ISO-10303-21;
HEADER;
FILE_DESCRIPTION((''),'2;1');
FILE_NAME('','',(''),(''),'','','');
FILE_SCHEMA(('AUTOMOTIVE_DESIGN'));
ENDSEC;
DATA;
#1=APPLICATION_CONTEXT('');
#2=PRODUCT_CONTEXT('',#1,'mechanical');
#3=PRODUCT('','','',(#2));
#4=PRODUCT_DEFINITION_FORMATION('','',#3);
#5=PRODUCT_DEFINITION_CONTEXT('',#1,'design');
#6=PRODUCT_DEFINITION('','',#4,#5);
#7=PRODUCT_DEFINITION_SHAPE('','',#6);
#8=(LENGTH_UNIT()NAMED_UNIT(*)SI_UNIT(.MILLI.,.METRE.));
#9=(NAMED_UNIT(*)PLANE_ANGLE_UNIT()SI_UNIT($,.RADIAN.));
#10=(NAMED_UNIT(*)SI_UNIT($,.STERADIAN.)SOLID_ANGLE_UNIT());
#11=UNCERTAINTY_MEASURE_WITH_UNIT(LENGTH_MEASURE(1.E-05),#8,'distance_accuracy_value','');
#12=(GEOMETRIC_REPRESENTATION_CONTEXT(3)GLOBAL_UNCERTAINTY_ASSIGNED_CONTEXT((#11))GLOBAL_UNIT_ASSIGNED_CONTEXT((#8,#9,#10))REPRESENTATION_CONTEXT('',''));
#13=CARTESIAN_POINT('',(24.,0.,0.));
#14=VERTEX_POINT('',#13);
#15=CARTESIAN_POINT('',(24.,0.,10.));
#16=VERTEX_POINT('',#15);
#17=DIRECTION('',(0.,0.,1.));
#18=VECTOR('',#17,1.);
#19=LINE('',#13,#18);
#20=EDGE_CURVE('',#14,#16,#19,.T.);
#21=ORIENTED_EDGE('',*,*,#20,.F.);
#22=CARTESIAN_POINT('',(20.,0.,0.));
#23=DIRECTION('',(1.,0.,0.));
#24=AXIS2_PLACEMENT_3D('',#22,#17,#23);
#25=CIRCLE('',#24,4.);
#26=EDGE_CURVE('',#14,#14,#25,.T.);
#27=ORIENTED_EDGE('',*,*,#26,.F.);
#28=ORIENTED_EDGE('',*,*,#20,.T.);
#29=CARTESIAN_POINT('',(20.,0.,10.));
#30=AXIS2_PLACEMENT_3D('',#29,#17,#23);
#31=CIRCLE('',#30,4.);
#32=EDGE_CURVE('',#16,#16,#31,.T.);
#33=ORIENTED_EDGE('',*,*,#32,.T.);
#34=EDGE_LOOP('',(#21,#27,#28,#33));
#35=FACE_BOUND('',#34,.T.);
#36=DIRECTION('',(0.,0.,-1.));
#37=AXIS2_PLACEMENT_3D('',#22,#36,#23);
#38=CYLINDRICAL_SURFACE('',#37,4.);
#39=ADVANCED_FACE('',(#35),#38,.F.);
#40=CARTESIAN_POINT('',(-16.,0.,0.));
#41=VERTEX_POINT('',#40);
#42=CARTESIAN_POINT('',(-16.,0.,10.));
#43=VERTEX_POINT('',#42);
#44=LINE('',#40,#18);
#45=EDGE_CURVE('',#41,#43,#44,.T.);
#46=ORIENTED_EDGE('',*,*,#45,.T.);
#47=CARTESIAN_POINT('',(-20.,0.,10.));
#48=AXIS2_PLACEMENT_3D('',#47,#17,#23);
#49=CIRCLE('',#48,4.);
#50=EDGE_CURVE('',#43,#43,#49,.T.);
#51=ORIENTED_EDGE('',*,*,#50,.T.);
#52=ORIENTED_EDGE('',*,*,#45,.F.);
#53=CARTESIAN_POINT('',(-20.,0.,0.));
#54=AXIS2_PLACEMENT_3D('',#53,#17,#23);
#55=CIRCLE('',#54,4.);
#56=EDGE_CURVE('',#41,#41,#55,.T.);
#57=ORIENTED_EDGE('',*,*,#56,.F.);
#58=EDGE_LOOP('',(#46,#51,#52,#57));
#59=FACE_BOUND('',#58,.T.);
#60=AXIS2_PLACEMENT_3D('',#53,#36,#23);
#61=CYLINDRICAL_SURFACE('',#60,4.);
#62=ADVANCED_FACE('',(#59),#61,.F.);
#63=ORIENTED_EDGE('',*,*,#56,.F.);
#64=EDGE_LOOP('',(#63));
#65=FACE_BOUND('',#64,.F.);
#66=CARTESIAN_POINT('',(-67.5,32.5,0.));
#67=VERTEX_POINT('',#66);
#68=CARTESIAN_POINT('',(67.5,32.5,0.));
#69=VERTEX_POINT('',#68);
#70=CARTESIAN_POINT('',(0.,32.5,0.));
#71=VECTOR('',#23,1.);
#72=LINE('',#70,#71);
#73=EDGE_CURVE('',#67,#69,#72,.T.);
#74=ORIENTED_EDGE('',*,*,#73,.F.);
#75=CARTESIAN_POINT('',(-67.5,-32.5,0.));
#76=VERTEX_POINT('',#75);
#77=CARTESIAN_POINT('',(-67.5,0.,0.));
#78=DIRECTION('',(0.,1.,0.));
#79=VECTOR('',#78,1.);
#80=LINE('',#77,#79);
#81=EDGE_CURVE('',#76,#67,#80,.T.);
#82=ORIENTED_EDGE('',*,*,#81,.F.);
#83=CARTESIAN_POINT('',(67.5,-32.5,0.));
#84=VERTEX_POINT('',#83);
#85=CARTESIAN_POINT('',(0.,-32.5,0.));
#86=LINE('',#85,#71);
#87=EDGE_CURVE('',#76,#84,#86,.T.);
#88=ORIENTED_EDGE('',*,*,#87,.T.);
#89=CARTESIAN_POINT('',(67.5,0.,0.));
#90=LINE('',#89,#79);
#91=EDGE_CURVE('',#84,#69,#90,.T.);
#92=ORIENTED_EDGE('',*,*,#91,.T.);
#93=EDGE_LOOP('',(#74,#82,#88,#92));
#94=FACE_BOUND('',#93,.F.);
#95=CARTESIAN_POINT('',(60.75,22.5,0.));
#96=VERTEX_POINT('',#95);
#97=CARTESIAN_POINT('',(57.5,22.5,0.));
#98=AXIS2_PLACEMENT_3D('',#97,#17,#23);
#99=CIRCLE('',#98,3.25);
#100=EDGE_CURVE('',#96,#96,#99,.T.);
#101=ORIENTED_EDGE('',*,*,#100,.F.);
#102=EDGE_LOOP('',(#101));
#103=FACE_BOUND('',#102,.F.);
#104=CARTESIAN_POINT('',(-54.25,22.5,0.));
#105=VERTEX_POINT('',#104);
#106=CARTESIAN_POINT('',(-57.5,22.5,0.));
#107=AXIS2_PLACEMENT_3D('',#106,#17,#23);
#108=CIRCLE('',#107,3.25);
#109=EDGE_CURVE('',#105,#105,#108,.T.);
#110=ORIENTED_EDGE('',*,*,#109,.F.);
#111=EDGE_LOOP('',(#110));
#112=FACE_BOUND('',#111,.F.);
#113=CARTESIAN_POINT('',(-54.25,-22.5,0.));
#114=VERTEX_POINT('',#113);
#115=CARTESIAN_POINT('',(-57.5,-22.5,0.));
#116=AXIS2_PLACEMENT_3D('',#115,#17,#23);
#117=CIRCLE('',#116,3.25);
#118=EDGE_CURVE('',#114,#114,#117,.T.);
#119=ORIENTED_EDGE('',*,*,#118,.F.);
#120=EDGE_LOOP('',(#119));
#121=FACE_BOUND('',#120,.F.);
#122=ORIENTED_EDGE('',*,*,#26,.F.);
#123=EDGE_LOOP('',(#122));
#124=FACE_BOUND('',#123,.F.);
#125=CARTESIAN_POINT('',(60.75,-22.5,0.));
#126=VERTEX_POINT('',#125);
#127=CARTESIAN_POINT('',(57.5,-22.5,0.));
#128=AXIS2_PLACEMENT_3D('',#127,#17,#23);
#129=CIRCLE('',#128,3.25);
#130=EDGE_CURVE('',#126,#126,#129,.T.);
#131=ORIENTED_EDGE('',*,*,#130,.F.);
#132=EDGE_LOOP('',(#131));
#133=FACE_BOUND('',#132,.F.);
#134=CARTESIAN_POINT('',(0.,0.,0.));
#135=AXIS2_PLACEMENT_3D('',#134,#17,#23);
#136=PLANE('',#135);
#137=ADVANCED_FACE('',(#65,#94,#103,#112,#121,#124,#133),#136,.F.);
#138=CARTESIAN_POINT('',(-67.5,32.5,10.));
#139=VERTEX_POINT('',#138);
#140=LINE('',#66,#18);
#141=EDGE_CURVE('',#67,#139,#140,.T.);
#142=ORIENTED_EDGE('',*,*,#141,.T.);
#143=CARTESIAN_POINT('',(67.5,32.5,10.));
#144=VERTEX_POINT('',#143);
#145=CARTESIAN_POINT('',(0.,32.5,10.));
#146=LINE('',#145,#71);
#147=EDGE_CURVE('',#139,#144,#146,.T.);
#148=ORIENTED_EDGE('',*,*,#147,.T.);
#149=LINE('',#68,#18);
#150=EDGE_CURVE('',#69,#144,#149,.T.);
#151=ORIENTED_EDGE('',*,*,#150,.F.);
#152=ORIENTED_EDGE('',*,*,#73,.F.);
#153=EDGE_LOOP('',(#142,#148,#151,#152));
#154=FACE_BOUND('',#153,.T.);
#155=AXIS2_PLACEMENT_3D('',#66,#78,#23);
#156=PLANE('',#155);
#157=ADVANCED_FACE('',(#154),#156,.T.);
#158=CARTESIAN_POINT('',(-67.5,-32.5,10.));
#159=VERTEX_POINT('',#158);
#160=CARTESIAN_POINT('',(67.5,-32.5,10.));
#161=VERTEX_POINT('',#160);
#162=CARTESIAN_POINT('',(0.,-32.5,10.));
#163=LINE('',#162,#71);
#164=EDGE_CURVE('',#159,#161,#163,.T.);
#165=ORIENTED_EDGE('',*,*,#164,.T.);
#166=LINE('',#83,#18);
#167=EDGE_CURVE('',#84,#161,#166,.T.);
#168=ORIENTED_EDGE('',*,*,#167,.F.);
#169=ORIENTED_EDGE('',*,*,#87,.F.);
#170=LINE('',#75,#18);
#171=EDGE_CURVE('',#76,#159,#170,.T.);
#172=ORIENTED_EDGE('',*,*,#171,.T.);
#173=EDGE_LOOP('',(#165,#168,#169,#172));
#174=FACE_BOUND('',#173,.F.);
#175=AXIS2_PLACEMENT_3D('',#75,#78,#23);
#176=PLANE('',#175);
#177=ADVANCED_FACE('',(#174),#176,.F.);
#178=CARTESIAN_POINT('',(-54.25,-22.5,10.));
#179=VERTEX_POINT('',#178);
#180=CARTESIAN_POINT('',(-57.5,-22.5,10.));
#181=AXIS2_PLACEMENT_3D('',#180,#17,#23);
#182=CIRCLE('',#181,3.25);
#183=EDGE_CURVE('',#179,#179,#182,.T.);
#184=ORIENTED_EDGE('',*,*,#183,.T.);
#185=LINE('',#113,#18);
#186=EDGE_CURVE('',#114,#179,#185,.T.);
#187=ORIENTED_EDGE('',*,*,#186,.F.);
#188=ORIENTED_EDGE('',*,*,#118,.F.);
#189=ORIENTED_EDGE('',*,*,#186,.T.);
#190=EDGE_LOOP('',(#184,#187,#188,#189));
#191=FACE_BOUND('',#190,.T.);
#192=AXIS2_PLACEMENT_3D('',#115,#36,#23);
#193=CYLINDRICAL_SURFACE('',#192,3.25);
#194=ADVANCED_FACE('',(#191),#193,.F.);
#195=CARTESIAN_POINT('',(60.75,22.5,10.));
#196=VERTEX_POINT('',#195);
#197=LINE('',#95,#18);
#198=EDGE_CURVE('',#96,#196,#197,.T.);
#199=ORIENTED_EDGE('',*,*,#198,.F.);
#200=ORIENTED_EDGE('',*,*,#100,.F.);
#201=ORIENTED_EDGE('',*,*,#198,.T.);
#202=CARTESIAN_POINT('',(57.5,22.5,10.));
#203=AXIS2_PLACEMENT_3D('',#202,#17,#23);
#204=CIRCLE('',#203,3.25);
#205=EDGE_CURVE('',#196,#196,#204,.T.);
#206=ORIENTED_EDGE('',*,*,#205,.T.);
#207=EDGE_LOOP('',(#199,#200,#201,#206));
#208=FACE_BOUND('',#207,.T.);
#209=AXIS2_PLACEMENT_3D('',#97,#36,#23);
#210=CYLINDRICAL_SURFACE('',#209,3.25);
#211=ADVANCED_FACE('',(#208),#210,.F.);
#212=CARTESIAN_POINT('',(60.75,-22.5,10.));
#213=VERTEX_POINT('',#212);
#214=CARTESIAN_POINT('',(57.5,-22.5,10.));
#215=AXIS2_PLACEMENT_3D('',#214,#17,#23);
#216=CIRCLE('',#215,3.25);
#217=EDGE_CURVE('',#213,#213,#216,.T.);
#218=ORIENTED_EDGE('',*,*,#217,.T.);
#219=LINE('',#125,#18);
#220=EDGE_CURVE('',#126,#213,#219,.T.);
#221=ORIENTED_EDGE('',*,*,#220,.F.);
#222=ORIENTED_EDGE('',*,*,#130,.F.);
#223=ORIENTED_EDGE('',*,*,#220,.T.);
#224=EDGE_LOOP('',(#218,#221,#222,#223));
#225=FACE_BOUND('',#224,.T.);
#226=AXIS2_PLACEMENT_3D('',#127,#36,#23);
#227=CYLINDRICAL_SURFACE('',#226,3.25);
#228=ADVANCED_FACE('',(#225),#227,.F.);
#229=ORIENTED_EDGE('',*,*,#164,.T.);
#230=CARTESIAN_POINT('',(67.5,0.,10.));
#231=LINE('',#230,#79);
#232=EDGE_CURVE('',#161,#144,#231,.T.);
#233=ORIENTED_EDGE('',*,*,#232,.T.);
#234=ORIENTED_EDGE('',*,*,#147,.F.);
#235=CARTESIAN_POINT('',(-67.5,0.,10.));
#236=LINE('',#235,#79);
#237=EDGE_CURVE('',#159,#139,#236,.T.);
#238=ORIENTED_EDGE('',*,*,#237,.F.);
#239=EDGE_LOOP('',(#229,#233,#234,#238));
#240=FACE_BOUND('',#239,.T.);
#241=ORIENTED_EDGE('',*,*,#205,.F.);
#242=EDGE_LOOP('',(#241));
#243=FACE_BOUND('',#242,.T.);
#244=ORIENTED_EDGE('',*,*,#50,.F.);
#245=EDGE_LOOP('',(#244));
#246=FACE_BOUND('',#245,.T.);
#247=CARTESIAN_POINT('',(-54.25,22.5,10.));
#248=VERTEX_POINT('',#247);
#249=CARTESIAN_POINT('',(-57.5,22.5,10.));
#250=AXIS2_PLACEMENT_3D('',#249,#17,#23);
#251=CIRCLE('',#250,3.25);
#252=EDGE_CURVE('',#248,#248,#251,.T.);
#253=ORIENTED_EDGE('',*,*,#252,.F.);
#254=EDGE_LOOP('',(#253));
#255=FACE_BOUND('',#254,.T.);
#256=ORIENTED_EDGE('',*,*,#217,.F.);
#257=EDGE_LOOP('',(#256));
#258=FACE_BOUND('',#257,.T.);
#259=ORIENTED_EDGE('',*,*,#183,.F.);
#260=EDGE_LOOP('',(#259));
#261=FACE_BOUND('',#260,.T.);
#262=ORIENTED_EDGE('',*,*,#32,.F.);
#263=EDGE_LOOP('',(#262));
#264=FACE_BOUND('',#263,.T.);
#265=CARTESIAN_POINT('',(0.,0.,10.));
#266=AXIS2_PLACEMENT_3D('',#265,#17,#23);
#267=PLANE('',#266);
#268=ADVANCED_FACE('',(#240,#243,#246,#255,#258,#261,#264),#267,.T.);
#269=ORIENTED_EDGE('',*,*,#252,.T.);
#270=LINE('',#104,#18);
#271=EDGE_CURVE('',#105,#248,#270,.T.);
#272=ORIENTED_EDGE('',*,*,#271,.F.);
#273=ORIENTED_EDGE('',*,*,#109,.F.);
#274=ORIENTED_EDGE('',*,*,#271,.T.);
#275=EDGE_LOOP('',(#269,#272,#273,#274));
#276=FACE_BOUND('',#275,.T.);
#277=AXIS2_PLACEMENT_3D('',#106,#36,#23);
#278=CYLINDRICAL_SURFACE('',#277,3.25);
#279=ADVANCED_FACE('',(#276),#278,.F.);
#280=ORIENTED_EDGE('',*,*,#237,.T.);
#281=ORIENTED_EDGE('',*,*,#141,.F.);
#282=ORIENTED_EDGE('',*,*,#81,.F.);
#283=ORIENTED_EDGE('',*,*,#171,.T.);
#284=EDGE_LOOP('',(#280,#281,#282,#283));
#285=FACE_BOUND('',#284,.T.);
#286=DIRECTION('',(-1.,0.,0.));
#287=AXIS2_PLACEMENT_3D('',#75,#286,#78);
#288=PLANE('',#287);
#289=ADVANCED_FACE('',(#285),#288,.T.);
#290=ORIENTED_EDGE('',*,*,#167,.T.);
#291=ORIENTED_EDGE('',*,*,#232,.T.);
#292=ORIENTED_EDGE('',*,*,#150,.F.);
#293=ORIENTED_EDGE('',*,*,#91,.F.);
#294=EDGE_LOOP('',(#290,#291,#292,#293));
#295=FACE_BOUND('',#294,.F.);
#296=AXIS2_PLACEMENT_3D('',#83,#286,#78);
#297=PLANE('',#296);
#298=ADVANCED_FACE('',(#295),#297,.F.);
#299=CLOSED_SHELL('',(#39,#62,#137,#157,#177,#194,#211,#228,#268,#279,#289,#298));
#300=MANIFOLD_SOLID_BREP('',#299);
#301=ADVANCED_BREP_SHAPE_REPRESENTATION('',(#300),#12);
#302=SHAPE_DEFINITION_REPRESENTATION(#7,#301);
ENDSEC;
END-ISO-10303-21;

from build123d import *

# Parameters (mm, degrees)
F0_W     = 135
F0_H     = 65
F0_R     = 3.25
F0_R_2   = 4
F1_DEPTH = 10


with BuildPart() as f1:
    # F0 (on Top) → F1 (new body)
    with BuildSketch(Plane.XY):
        Rectangle(F0_W, F0_H)
        with Locations((-57.5, -22.5)):
            Circle(F0_R, mode=Mode.SUBTRACT)
        with Locations((57.5, -22.5)):
            Circle(F0_R, mode=Mode.SUBTRACT)
        with Locations((-20, 0)):
            Circle(F0_R_2, mode=Mode.SUBTRACT)
        with Locations((-57.5, 22.5)):
            Circle(F0_R, mode=Mode.SUBTRACT)
        with Locations((20, 0)):
            Circle(F0_R_2, mode=Mode.SUBTRACT)
        with Locations((57.5, 22.5)):
            Circle(F0_R, mode=Mode.SUBTRACT)
    extrude(amount=F1_DEPTH)


solid = f1.part
